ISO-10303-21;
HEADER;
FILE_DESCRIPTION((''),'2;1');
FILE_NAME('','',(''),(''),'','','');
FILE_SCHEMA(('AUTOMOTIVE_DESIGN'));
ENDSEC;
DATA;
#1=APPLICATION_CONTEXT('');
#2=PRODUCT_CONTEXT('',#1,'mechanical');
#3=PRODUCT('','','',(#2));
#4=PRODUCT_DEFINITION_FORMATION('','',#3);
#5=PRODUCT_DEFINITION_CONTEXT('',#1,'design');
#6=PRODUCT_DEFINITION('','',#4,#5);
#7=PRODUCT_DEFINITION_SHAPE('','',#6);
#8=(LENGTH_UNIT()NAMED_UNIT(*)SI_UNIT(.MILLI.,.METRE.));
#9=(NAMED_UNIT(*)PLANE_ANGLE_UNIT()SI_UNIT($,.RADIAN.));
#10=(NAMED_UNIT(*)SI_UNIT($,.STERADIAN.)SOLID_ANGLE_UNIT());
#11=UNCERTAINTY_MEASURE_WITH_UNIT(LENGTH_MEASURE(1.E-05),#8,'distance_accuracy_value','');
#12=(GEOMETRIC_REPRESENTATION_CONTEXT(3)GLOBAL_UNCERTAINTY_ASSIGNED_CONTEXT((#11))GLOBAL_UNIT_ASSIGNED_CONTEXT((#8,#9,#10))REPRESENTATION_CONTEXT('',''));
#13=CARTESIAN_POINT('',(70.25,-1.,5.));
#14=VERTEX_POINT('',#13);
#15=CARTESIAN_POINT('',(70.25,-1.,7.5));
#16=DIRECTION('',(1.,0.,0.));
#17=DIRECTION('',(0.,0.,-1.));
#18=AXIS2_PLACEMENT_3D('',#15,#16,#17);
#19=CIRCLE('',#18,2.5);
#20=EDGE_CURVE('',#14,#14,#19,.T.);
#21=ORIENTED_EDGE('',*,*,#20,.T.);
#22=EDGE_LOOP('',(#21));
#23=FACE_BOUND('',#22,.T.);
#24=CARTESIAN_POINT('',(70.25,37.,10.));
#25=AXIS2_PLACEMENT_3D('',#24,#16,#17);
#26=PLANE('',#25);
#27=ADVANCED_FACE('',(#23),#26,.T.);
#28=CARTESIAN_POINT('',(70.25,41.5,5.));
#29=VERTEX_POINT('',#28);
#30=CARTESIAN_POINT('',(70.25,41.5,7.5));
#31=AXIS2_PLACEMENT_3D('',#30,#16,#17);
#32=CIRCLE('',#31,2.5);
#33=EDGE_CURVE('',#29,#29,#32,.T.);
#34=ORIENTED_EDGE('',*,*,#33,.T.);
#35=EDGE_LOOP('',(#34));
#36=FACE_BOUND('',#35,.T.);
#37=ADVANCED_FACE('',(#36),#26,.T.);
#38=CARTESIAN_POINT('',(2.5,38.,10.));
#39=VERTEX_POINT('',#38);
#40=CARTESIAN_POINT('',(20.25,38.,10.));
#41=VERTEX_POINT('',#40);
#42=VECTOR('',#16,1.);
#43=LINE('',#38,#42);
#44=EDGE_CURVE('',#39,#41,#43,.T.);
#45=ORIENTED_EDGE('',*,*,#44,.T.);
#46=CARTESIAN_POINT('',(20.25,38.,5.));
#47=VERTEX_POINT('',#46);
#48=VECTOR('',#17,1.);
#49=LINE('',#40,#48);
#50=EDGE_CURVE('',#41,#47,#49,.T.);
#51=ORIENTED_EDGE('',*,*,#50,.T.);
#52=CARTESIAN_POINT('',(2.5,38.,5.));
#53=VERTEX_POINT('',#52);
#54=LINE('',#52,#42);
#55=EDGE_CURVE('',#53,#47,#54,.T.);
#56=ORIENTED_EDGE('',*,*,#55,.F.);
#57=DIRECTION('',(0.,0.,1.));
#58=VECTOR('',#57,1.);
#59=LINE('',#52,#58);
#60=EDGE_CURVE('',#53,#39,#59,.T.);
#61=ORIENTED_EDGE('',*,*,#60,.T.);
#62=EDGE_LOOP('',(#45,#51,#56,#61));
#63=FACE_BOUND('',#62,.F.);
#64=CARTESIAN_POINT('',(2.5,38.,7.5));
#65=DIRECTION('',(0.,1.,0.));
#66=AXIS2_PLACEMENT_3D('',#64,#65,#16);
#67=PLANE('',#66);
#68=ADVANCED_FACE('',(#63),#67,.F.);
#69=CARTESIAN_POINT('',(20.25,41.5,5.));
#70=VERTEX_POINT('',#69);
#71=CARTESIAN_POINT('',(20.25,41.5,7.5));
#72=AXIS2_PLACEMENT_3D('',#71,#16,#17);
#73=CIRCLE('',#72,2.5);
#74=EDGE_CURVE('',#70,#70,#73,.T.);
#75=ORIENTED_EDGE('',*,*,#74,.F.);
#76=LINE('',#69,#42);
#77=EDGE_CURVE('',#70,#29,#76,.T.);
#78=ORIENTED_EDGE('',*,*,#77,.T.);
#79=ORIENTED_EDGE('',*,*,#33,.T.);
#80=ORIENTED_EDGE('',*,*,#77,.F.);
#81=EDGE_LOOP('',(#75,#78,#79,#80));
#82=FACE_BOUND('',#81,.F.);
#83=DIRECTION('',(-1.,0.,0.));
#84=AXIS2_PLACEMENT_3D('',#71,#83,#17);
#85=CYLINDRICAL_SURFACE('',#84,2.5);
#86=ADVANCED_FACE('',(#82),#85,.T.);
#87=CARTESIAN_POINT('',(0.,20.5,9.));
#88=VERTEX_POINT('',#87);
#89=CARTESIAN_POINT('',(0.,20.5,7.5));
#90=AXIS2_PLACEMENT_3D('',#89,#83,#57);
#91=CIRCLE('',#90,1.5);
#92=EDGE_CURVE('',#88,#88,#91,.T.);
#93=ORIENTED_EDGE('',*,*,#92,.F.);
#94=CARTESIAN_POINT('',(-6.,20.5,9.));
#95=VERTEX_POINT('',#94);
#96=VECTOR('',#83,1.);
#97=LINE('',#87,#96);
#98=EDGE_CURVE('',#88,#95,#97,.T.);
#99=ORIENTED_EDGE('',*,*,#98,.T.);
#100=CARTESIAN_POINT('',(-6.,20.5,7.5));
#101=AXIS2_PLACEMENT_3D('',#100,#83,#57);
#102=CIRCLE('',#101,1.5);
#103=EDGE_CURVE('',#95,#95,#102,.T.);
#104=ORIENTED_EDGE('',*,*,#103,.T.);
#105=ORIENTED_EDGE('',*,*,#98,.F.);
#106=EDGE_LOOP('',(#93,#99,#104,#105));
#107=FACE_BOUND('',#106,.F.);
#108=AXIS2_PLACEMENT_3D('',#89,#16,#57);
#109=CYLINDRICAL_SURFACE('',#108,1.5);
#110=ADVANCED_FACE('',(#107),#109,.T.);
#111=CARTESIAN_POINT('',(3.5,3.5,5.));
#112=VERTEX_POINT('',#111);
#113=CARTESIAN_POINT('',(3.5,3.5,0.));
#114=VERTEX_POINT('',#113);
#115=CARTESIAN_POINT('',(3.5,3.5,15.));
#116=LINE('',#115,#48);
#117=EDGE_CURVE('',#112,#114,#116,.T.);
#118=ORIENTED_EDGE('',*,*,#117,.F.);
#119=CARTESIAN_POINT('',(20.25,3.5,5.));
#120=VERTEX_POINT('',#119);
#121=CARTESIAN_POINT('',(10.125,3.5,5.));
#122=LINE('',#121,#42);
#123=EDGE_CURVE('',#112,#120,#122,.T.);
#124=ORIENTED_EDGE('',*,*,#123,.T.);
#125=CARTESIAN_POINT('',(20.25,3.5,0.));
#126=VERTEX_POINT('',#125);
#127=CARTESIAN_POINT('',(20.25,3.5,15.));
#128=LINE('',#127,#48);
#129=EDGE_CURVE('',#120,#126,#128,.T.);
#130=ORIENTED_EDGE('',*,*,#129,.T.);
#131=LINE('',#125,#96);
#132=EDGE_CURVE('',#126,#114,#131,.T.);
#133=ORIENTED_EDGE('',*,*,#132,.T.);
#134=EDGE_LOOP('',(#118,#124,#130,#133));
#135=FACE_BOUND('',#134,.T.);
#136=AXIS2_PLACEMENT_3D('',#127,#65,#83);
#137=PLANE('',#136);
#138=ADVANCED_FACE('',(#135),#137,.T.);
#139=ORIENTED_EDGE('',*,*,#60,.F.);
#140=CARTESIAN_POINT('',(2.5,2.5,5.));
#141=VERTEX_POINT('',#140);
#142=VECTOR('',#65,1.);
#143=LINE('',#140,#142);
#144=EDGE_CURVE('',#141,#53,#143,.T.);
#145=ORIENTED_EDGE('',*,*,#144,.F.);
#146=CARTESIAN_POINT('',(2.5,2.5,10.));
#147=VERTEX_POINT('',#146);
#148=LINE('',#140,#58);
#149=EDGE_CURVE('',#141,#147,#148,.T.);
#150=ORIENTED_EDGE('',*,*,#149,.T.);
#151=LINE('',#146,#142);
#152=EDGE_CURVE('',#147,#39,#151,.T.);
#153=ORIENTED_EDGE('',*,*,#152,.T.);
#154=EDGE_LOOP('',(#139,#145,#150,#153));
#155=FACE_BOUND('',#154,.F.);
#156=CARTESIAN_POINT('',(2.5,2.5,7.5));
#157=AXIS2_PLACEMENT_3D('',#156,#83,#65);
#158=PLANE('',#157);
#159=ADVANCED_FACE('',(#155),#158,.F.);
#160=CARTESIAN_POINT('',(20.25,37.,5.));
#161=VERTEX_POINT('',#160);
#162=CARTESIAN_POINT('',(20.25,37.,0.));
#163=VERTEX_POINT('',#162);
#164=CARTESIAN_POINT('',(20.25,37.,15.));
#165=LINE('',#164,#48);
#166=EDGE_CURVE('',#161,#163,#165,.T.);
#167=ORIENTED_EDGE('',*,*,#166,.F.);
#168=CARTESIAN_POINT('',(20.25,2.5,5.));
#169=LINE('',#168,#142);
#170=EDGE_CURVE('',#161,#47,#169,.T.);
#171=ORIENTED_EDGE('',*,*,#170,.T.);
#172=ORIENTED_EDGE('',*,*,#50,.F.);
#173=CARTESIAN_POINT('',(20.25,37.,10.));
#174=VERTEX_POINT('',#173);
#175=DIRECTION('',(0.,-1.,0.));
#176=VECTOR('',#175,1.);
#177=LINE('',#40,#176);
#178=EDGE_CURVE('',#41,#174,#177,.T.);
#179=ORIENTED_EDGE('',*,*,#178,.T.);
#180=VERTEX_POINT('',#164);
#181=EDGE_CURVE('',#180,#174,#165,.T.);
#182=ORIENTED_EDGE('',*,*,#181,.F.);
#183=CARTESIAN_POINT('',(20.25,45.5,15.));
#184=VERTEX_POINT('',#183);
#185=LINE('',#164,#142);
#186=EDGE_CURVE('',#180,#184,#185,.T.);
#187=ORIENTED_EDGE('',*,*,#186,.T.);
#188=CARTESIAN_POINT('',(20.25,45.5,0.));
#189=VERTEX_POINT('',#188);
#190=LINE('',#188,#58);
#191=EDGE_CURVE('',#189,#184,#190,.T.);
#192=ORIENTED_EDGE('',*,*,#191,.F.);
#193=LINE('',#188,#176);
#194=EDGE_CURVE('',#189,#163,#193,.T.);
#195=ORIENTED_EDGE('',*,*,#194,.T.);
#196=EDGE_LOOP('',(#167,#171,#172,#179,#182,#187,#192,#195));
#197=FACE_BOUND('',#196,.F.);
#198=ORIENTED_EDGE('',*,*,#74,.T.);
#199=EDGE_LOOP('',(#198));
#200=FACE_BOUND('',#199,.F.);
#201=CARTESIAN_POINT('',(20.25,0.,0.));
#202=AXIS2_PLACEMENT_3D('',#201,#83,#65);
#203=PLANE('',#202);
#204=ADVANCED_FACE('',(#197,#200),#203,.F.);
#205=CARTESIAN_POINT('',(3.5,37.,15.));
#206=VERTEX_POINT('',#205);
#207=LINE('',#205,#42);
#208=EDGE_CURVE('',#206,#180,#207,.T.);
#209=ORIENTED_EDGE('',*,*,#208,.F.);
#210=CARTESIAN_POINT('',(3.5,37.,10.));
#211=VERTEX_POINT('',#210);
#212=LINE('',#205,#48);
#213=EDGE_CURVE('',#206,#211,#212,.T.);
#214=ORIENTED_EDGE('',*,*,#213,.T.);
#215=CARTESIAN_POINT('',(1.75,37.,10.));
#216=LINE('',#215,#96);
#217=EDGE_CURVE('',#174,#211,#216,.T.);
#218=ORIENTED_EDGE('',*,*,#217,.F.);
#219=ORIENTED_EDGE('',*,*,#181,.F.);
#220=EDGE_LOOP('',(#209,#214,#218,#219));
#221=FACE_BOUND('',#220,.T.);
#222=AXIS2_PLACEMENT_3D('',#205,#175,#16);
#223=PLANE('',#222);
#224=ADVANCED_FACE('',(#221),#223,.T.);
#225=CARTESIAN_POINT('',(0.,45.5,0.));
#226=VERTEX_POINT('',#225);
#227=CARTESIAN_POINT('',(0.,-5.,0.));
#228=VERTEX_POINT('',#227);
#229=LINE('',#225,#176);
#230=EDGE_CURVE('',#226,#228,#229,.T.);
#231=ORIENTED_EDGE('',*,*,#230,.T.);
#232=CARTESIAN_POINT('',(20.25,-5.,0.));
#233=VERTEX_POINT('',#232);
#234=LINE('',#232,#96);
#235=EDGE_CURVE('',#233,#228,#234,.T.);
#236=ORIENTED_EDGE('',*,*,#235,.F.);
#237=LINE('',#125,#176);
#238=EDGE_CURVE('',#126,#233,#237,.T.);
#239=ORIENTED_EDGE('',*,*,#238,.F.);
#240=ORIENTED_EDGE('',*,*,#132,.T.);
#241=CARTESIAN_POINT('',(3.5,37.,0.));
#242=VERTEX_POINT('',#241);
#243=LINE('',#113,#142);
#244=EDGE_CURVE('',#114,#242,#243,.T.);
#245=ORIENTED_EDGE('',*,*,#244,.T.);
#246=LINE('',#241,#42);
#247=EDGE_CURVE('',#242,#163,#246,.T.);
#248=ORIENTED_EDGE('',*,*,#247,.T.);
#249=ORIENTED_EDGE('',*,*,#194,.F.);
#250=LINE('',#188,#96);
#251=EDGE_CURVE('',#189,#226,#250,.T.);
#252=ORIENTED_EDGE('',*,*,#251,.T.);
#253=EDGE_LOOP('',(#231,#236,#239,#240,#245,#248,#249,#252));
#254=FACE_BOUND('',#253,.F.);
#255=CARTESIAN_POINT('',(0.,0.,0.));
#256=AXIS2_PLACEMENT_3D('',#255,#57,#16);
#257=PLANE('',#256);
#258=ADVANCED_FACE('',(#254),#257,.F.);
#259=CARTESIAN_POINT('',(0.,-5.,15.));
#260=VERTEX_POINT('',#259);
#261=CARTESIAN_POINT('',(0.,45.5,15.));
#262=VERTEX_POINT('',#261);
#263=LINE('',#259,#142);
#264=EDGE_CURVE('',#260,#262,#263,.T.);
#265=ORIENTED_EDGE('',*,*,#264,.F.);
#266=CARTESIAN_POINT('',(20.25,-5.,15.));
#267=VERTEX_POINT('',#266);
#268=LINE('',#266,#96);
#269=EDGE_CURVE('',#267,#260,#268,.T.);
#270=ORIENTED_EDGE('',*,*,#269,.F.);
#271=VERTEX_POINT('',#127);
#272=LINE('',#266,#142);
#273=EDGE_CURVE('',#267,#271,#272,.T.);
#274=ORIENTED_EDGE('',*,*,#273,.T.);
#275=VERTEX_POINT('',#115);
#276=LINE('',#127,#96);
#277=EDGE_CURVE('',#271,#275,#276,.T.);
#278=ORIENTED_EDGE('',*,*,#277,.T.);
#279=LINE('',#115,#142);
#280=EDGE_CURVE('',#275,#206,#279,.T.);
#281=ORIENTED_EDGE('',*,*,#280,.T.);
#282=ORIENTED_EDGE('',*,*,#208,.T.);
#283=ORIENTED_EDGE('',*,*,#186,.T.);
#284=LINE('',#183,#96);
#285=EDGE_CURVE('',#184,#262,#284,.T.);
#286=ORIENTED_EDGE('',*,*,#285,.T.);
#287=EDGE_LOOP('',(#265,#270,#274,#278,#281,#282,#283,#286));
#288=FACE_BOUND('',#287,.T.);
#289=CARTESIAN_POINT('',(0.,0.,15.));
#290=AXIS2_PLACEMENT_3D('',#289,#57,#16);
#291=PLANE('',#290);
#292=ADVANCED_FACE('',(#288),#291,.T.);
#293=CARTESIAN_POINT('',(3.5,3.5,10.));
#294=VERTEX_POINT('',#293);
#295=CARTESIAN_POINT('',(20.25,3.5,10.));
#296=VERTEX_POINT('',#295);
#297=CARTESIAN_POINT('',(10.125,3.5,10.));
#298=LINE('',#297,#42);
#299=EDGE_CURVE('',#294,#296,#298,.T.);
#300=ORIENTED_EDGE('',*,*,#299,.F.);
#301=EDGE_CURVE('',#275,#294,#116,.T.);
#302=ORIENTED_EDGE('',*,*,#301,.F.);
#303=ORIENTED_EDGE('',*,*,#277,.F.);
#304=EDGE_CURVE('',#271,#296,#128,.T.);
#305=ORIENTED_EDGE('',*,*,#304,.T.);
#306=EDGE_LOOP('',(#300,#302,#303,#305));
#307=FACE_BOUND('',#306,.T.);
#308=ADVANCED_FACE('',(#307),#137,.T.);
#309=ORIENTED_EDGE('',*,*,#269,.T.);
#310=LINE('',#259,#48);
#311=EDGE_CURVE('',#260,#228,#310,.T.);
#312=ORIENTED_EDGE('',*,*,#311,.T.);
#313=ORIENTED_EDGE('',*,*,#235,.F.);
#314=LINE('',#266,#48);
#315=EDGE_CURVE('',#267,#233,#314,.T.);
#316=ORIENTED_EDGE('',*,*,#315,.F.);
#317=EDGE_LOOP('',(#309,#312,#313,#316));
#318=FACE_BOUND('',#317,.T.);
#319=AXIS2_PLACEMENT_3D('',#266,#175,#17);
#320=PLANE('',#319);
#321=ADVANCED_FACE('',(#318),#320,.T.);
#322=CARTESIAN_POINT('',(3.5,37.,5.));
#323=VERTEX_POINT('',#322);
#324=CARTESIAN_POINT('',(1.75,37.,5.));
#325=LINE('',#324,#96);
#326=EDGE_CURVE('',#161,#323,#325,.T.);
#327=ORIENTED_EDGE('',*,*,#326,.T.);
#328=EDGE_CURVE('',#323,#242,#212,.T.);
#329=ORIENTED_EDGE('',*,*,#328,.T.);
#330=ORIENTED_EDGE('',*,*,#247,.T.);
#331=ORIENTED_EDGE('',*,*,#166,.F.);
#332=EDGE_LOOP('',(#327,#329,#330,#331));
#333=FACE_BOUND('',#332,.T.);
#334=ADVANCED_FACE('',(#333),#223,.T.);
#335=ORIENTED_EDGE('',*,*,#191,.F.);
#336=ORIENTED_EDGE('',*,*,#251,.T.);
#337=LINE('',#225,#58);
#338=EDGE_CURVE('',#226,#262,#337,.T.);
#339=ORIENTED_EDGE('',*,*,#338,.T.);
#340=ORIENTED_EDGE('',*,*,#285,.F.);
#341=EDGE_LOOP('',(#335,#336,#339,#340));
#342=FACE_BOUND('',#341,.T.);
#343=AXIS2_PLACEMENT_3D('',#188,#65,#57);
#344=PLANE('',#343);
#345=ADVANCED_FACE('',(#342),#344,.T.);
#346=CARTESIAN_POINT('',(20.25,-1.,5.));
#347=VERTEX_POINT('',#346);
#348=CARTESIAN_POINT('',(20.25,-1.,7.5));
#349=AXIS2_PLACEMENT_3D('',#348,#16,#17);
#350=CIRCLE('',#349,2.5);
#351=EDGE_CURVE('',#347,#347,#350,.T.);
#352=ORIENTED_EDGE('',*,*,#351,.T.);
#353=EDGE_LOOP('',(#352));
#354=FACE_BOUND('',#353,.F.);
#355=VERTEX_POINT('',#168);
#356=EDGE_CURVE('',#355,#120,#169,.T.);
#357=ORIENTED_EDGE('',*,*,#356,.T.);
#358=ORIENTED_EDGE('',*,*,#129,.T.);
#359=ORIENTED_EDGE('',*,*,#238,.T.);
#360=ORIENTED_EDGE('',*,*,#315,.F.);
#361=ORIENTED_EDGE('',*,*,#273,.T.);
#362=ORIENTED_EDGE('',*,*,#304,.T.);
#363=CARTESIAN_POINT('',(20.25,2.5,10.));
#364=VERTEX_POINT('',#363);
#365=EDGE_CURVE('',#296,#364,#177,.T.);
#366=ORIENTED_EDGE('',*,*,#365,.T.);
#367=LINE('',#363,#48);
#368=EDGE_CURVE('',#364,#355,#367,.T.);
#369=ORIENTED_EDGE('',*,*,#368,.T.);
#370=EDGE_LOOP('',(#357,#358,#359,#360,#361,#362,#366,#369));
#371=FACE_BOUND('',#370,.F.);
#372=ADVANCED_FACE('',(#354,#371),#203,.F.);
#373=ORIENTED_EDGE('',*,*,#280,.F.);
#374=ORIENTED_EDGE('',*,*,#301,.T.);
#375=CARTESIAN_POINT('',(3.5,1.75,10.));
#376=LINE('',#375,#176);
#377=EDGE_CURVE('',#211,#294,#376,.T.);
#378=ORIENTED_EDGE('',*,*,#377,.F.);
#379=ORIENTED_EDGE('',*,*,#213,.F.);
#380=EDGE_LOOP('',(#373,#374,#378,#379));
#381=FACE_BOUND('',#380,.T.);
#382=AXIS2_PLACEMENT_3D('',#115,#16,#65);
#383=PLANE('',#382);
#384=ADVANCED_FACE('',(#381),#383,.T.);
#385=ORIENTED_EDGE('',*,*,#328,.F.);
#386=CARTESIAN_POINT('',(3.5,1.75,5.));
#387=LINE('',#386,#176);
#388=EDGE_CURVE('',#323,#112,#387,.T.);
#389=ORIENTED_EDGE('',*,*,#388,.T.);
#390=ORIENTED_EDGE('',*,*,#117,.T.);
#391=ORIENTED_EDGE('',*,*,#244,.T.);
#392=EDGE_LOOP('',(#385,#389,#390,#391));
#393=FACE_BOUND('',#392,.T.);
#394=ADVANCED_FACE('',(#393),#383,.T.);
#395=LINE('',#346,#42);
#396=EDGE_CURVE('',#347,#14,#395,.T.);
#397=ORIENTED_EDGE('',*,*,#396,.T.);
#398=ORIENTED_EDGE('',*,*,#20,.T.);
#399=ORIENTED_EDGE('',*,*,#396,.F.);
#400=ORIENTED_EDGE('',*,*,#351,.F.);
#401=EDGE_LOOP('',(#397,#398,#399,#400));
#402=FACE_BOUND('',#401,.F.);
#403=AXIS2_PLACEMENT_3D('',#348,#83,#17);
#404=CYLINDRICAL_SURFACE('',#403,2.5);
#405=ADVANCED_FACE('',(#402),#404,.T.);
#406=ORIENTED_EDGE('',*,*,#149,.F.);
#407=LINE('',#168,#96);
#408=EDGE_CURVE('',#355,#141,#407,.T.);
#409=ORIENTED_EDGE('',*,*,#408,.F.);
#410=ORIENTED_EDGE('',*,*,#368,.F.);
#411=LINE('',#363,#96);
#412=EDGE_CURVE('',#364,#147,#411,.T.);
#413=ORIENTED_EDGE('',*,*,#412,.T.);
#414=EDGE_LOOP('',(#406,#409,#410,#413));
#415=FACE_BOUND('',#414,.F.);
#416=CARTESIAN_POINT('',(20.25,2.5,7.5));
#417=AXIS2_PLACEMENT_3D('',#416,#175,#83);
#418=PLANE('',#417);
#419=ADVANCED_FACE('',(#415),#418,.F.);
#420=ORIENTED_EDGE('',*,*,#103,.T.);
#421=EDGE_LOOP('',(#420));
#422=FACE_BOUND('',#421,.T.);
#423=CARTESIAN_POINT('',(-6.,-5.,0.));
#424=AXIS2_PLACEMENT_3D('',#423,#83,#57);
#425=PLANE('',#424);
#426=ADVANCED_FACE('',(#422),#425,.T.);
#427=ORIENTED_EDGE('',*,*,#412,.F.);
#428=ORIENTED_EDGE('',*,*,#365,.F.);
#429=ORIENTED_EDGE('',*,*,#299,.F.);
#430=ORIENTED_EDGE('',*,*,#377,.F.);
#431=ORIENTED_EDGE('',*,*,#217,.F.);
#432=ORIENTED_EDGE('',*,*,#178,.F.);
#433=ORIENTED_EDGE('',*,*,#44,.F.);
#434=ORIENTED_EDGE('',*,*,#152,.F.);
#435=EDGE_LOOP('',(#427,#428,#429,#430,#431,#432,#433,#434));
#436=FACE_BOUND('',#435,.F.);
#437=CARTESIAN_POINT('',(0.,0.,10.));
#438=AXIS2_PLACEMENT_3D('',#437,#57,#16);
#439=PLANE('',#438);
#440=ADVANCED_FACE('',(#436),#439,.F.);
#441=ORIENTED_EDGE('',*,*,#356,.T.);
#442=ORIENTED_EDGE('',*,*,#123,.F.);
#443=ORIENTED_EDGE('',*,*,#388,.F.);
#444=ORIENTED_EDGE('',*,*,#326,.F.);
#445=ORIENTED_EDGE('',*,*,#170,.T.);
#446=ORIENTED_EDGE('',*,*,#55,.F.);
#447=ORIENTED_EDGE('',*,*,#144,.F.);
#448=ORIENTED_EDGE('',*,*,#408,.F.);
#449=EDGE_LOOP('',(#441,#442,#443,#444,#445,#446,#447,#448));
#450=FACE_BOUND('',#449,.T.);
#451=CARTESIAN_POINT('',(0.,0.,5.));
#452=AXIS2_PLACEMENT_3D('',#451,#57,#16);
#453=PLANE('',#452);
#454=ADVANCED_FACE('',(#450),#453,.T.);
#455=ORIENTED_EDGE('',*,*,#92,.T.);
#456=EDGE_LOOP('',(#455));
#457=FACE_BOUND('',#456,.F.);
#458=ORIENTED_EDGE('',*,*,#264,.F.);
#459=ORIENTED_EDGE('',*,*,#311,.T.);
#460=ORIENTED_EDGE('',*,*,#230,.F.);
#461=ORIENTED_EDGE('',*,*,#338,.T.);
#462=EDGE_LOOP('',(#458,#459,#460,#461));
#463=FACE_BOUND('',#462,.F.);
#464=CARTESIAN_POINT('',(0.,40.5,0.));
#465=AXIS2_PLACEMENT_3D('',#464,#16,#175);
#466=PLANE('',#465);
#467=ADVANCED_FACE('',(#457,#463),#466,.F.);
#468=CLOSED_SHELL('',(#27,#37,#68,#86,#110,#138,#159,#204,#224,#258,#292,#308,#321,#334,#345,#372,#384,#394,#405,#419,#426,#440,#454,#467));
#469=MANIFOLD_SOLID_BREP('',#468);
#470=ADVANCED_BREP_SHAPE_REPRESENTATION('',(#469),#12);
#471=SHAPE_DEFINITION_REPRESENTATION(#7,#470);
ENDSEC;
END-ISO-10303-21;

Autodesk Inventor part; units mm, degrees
ref_plane "YZ Plane" through (0, 0, 0) normal (1, 0, 0) x (0, 1, 0)
ref_plane "XZ Plane" through (0, 0, 0) normal (0, 1, 0) x (-1, 0, 0)
sketch "Sketch1" plane through (0, 0, 0) normal (0, 0, 1) x (1, 0, 0)
  line L0 (0, 0) -> (20.25, 0)
  line L1 (20.25, 0) -> (20.25, 40.5)
  line L2 (20.25, 40.5) -> (0, 40.5)
  line L3 (0, 40.5) -> (0, 0)
  dimension "d0" = 40.5
  dimension "d1" = 20.25
extrude "Extrusion1" add sketch "Sketch1" along normal blind 15
sketch "Sketch2" plane through (0, 0, 15) normal (0, 0, 1) x (1, 0, 0)
  line L0 (3.5, 37) -> (20.25, 37)
  line L1 (20.25, 37) -> (20.25, 3.5)
  line L2 (20.25, 3.5) -> (3.5, 3.5)
  line L3 (3.5, 3.5) -> (3.5, 37)
  line L4 (20.25, 0) -> (20.25, 40.5) projected
  line L5 (20.25, 40.5) -> (0, 40.5) projected
  line L6 (0, 0) -> (20.25, 0) projected
  dimension "d4" = 16.75
  dimension "d5" = 3.5
  dimension "d6" = 3.5
extrude "Extrusion2" cut sketch "Sketch2" against normal blind 15
ref_plane "Work Plane1" through (0, 0, 7.5) normal (0, 0, 1) x (1, 0, 0)
sketch "Sketch3" plane through (0, 0, 7.5) normal (0, 0, 1) x (1, 0, 0)
  line L0 (2.5, 38) -> (20.25, 38)
  line L1 (20.25, 38) -> (20.25, 2.5)
  line L2 (20.25, 2.5) -> (2.5, 2.5)
  line L3 (2.5, 2.5) -> (2.5, 38)
  line L4 (20.25, 0) -> (20.25, 3.5) projected
  line L5 (20.25, 40.5) -> (0, 40.5) projected
  line L6 (0, 0) -> (20.25, 0) projected
  line L7 (0, 40.5) -> (0, 0) projected
  dimension "d10" = 2.5
  dimension "d11" = 2.5
  dimension "d12" = 2.5
extrude "Extrusion3" cut sketch "Sketch3" along normal mid plane 5
sketch "Sketch4" plane through (20.25, 40.5, 15) normal (1, 0, 0) x (0, 0, -1)
  line L0 (15, 0) -> (0, 0) projected
  line L1 (0, 0) -> (15, 0)
  line L2 (15, 0) -> (15, 5)
  line L3 (15, 5) -> (0, 5)
  line L4 (0, 5) -> (0, 0)
  line L5 (15, -40.5) -> (15, -37) projected
  line L6 (15, -40.5) -> (0, -40.5)
  line L7 (0, -40.5) -> (0, -45.5)
  line L8 (0, -45.5) -> (15, -45.5)
  line L9 (15, -45.5) -> (15, -40.5)
  dimension "d15" = 5
  dimension "d16" = 5
extrude "Extrusion4" add sketch "Sketch4" against normal blind 20.25
sketch "Sketch5" plane through (0, 0, 15) normal (0, 0, 1) x (1, 0, 0)
  point P0 (0, 0)
sketch "Sketch6" plane through (20.25, 37, 10) normal (1, 0, 0) x (0, 0, -1)
  circle A0 centre (2.5, 4.5) radius 2.5
  circle A1 centre (2.5, -38) radius 2.5
  line L0 (10, 0) -> (10, 8.5) projected
  line L1 (0, 1) -> (5, 1) projected
  line L2 (10, 8.5) -> (-5, 8.5) projected
  line L3 (5, -34.5) -> (0, -34.5) projected
  point P0 (10, -37)
  dimension "d19" = 7.5
  dimension "d20" = 0
  dimension "d21" = 3.5
  dimension "d22" = 7.5
  dimension "d23" = 3.5
  dimension "d24" = 5
extrude "Extrusion5" add sketch "Sketch6" along normal blind 50
sketch "Sketch7" plane through (0, 0, 15) normal (0, 0, 1) x (1, 0, 0)
  line L0 (0, -5) -> (0, 45.5) projected
  line L1 (2.5, 2.5) -> (2.5, 38) projected
  point P0 (0, 0)
  dimension "d27" = 2.5
sketch "Sketch8" plane through (0, -5, 0) normal (-1, 0, 0) x (0, 0, 1)
  circle A0 centre (7.5, 25.5) radius 1.5
  line L0 (15, 50.5) -> (0, 50.5) projected
  line L1 (0, 0) -> (15, 0) projected
  line L2 (15, 0) -> (15, 50.5) projected
  line L3 (0, 50.5) -> (0, 0) projected
  point P0 (0, 5)
  dimension "d28" = 50.5
  dimension "d29" = 25
  dimension "d30" = 3
  dimension "d31" = 15
  dimension "d32" = 7.5
extrude "Extrusion6" add sketch "Sketch8" along normal blind 6 contours A0
properties part number "standlower"
